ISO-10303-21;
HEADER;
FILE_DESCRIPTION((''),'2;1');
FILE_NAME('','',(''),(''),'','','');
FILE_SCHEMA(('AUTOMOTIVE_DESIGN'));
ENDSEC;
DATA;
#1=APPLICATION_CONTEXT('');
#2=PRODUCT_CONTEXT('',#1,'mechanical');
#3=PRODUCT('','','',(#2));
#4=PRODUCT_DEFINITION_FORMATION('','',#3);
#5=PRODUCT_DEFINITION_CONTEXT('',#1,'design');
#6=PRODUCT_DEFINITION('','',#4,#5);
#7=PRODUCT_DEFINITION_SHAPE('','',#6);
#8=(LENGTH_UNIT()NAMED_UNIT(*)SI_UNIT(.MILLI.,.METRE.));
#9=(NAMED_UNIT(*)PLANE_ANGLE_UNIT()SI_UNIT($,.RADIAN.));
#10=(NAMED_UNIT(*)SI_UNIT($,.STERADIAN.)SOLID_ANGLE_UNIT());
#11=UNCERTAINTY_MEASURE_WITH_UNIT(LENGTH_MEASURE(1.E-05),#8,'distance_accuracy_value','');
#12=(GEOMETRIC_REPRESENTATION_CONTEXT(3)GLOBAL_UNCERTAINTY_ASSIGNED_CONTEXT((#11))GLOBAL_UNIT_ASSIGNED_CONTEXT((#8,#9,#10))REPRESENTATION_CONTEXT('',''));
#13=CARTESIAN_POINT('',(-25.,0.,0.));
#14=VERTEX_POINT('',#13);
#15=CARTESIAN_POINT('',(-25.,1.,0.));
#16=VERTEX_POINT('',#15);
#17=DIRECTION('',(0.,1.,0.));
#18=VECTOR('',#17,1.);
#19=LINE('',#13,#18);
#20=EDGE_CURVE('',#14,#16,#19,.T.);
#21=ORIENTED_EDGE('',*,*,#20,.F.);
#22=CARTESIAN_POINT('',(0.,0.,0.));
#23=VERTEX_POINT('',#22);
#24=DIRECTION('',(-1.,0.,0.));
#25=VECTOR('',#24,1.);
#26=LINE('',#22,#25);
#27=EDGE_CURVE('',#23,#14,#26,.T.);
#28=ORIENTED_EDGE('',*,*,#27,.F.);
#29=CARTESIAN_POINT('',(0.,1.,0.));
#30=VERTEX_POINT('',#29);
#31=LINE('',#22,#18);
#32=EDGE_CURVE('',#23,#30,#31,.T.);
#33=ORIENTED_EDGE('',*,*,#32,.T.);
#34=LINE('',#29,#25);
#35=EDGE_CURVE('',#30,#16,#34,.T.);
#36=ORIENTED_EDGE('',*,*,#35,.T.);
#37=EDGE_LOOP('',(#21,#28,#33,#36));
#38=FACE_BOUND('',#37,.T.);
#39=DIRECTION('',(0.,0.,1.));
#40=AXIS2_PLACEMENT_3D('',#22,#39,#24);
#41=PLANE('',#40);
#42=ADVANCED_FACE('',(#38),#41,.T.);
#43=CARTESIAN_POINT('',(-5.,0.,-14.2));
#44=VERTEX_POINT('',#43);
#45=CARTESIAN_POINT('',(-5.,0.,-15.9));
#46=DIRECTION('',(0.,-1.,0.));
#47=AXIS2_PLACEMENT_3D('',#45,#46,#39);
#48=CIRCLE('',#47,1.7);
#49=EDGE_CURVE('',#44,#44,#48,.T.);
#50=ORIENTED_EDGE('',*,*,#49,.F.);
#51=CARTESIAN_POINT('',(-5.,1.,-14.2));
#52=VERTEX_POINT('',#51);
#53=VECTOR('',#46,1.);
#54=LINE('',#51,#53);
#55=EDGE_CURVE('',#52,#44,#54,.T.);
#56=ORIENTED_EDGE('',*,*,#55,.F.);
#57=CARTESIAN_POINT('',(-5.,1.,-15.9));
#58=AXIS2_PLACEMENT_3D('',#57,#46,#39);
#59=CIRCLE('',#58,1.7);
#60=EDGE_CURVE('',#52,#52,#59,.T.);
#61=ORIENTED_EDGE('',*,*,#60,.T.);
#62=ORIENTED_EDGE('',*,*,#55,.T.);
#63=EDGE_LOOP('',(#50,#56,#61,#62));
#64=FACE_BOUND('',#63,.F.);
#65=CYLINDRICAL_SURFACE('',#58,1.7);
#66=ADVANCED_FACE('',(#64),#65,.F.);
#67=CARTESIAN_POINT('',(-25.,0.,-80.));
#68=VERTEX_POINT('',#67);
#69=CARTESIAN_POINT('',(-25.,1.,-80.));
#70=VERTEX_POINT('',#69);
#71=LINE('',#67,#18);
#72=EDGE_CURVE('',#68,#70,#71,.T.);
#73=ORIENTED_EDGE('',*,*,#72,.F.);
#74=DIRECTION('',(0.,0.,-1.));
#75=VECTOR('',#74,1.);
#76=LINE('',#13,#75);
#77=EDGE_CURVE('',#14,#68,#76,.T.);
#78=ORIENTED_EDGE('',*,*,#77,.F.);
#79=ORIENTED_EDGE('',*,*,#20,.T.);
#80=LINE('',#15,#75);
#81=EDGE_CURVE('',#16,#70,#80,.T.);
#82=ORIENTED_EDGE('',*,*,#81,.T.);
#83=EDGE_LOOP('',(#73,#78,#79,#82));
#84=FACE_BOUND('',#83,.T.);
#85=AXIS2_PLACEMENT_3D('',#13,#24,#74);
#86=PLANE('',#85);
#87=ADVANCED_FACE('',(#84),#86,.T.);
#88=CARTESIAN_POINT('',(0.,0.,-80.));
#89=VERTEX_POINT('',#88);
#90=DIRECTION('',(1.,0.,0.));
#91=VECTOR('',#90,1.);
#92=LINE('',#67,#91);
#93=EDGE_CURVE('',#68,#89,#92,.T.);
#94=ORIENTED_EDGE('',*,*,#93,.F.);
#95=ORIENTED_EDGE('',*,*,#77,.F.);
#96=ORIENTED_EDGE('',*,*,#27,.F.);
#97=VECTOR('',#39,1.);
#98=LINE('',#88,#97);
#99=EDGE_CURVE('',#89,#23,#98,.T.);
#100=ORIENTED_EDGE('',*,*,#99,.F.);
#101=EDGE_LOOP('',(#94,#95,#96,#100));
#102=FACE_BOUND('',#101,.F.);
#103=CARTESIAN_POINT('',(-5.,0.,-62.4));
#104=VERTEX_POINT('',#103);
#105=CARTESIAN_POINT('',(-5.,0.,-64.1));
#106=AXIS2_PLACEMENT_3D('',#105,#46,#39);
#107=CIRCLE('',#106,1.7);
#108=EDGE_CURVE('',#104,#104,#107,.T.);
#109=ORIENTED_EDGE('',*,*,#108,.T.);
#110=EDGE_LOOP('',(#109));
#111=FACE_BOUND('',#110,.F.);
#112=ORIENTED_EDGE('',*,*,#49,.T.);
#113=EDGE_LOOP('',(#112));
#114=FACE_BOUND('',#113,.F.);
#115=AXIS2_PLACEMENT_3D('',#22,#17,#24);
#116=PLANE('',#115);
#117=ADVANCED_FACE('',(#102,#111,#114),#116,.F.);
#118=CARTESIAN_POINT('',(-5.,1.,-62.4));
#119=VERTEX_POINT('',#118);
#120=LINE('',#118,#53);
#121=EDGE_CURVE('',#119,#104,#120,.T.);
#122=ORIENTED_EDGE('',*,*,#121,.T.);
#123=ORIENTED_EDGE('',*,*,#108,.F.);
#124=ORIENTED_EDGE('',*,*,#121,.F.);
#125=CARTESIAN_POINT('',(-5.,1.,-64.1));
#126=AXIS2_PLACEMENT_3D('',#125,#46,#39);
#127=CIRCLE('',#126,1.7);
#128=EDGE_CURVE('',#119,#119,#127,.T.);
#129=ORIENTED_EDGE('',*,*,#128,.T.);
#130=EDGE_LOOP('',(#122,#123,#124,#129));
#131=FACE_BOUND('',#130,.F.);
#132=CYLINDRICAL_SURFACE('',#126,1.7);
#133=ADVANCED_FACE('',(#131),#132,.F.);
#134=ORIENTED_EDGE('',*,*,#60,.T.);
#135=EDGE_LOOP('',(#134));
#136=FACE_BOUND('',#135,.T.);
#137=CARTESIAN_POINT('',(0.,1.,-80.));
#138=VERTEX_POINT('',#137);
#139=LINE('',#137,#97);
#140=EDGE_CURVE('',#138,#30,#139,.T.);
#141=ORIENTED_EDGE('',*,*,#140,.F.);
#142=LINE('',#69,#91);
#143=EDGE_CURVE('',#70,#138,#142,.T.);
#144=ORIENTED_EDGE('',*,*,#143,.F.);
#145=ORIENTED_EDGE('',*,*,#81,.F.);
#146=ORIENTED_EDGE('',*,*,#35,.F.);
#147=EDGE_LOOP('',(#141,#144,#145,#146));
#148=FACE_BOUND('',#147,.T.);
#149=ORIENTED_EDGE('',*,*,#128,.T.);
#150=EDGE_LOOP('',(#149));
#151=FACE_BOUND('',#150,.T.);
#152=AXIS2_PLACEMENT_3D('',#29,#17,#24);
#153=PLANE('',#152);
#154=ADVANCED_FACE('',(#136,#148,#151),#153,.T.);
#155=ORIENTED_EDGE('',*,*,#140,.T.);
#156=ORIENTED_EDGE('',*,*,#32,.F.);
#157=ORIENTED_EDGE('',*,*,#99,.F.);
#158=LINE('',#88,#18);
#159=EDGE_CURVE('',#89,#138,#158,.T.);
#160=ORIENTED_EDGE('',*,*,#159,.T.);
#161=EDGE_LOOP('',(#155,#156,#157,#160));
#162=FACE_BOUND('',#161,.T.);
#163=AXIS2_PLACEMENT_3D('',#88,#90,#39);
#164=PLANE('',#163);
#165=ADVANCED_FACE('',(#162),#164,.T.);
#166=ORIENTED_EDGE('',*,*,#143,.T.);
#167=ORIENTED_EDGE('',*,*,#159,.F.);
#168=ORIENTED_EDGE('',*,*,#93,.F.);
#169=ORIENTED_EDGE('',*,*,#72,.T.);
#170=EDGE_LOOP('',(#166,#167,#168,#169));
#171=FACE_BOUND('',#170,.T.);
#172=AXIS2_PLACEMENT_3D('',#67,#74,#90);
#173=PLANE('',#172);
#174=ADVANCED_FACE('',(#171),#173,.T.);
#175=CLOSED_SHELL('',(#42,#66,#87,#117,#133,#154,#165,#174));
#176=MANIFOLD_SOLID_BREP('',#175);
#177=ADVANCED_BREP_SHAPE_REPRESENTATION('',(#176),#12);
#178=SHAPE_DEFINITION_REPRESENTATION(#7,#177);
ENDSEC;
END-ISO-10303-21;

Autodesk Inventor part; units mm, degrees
ref_plane "YZ Plane" through (0, 0, 0) normal (1, 0, 0) x (0, 1, 0)
ref_plane "XZ Plane" through (0, 0, 0) normal (0, 1, 0) x (-1, 0, 0)
ref_plane "XY Plane" through (0, 0, 0) normal (0, 0, 1) x (1, 0, 0)
sketch "Sketch3" plane through (0, 0, 0) normal (0, 1, 0) x (-1, 0, 0)
  line L0 (0, 0) -> (25, 0)
  line L1 (25, 0) -> (25, -80)
  line L2 (25, -80) -> (0, -80)
  line L3 (0, -80) -> (0, 0)
  dimension "d21" = 25
  dimension "d22" = 80
extrude "Extrusion2" add sketch "Sketch3" along normal blind 1
sketch "Sketch4" plane through (0, 1, 0) normal (0, 1, 0) x (1, 0, 0)
  line L0 (-25, 80) -> (-25, 0) construction
  line L1 (-25, 40) -> (0, 40) construction
  line L2 (0, 0) -> (0, 80) construction
  point P0 (-5, 15.9)
  point P1 (-5, 64.1)
  dimension "d25" = 5
  dimension "d26" = 48.2
hole "Hole2" at (-5, 1, -15.9) at (-5, 1, -64.1) direction (0, -1, 0) diameter 3.4 end through all clearance for "Countersunk Flat Head Screw ISO 2009/7046" size "M3" standard "ISO"
properties part number "PCB"
